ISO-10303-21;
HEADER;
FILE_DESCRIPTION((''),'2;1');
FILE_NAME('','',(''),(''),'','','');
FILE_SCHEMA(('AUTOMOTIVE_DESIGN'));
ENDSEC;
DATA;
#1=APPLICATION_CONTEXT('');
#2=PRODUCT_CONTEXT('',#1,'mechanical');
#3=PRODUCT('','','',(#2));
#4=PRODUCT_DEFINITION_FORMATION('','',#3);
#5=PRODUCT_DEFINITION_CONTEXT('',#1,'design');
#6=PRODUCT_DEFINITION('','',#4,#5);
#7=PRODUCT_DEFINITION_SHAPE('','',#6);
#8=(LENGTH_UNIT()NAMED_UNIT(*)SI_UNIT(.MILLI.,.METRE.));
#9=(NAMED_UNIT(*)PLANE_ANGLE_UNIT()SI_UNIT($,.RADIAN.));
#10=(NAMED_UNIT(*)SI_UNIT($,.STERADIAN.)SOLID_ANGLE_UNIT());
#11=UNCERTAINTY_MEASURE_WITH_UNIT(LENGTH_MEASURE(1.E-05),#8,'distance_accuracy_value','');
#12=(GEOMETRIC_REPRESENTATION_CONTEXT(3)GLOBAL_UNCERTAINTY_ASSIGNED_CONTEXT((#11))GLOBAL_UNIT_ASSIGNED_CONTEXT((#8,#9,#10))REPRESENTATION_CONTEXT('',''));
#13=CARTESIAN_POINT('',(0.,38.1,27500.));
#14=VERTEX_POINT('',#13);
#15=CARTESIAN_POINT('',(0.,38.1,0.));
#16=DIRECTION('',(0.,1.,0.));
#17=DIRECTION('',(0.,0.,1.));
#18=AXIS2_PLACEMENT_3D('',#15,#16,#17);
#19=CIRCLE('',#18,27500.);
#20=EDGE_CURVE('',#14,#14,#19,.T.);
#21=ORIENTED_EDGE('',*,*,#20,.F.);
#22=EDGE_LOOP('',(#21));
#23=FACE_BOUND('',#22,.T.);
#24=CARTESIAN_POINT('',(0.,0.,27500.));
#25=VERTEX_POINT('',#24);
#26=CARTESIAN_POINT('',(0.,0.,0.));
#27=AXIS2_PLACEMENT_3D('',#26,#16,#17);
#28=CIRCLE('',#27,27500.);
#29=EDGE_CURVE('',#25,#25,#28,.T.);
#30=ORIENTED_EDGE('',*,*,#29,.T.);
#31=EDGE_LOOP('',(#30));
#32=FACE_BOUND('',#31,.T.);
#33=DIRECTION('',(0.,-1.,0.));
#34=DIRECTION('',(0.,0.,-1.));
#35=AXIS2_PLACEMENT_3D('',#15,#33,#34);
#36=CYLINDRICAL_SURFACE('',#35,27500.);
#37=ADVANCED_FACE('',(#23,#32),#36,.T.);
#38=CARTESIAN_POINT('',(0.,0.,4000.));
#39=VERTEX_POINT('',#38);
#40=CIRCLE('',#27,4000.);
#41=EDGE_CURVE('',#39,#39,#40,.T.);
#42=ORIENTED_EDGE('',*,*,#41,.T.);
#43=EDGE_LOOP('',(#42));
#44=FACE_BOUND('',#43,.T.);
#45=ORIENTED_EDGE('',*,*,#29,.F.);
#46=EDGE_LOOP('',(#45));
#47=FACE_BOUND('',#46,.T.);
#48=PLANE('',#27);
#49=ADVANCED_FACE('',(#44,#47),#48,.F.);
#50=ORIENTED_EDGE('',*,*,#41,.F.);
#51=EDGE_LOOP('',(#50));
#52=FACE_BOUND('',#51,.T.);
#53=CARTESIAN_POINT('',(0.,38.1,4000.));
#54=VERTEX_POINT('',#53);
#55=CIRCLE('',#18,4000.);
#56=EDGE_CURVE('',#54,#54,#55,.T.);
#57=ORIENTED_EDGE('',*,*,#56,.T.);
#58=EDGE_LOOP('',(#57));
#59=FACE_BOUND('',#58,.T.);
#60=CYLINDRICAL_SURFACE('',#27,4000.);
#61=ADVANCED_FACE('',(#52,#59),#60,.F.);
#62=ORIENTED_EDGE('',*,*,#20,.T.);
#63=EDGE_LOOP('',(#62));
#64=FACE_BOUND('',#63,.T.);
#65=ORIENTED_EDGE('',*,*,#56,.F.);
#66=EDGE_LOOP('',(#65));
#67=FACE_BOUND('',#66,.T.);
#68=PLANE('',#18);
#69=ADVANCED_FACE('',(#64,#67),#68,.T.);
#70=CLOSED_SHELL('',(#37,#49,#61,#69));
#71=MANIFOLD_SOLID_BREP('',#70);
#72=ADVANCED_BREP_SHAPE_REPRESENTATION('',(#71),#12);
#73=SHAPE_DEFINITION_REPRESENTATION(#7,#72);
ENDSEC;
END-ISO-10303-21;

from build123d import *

# Parameters (mm, degrees)
SKETCH1_R           = 27500
BOSS_EXTRUDE1_DEPTH = 38.1
SKETCH2_R           = 4000
CUT_EXTRUDE1_DEPTH  = 38.1


with BuildPart() as part:
    # Sketch1 → Boss-Extrude1 (new body)
    with BuildSketch(Plane(origin=(0, 0, 0), x_dir=(1, 0, 0), z_dir=(0, 1, 0))):
        Circle(SKETCH1_R)
    extrude(amount=BOSS_EXTRUDE1_DEPTH)

    # Sketch2 → Cut-Extrude1 (cut)
    with BuildSketch(Plane(origin=(0, 38.1, 0), x_dir=(1, 0, 0), z_dir=(0, 1, 0))):
        Circle(SKETCH2_R)
    extrude(amount=-CUT_EXTRUDE1_DEPTH, mode=Mode.SUBTRACT)


solid = part.part
